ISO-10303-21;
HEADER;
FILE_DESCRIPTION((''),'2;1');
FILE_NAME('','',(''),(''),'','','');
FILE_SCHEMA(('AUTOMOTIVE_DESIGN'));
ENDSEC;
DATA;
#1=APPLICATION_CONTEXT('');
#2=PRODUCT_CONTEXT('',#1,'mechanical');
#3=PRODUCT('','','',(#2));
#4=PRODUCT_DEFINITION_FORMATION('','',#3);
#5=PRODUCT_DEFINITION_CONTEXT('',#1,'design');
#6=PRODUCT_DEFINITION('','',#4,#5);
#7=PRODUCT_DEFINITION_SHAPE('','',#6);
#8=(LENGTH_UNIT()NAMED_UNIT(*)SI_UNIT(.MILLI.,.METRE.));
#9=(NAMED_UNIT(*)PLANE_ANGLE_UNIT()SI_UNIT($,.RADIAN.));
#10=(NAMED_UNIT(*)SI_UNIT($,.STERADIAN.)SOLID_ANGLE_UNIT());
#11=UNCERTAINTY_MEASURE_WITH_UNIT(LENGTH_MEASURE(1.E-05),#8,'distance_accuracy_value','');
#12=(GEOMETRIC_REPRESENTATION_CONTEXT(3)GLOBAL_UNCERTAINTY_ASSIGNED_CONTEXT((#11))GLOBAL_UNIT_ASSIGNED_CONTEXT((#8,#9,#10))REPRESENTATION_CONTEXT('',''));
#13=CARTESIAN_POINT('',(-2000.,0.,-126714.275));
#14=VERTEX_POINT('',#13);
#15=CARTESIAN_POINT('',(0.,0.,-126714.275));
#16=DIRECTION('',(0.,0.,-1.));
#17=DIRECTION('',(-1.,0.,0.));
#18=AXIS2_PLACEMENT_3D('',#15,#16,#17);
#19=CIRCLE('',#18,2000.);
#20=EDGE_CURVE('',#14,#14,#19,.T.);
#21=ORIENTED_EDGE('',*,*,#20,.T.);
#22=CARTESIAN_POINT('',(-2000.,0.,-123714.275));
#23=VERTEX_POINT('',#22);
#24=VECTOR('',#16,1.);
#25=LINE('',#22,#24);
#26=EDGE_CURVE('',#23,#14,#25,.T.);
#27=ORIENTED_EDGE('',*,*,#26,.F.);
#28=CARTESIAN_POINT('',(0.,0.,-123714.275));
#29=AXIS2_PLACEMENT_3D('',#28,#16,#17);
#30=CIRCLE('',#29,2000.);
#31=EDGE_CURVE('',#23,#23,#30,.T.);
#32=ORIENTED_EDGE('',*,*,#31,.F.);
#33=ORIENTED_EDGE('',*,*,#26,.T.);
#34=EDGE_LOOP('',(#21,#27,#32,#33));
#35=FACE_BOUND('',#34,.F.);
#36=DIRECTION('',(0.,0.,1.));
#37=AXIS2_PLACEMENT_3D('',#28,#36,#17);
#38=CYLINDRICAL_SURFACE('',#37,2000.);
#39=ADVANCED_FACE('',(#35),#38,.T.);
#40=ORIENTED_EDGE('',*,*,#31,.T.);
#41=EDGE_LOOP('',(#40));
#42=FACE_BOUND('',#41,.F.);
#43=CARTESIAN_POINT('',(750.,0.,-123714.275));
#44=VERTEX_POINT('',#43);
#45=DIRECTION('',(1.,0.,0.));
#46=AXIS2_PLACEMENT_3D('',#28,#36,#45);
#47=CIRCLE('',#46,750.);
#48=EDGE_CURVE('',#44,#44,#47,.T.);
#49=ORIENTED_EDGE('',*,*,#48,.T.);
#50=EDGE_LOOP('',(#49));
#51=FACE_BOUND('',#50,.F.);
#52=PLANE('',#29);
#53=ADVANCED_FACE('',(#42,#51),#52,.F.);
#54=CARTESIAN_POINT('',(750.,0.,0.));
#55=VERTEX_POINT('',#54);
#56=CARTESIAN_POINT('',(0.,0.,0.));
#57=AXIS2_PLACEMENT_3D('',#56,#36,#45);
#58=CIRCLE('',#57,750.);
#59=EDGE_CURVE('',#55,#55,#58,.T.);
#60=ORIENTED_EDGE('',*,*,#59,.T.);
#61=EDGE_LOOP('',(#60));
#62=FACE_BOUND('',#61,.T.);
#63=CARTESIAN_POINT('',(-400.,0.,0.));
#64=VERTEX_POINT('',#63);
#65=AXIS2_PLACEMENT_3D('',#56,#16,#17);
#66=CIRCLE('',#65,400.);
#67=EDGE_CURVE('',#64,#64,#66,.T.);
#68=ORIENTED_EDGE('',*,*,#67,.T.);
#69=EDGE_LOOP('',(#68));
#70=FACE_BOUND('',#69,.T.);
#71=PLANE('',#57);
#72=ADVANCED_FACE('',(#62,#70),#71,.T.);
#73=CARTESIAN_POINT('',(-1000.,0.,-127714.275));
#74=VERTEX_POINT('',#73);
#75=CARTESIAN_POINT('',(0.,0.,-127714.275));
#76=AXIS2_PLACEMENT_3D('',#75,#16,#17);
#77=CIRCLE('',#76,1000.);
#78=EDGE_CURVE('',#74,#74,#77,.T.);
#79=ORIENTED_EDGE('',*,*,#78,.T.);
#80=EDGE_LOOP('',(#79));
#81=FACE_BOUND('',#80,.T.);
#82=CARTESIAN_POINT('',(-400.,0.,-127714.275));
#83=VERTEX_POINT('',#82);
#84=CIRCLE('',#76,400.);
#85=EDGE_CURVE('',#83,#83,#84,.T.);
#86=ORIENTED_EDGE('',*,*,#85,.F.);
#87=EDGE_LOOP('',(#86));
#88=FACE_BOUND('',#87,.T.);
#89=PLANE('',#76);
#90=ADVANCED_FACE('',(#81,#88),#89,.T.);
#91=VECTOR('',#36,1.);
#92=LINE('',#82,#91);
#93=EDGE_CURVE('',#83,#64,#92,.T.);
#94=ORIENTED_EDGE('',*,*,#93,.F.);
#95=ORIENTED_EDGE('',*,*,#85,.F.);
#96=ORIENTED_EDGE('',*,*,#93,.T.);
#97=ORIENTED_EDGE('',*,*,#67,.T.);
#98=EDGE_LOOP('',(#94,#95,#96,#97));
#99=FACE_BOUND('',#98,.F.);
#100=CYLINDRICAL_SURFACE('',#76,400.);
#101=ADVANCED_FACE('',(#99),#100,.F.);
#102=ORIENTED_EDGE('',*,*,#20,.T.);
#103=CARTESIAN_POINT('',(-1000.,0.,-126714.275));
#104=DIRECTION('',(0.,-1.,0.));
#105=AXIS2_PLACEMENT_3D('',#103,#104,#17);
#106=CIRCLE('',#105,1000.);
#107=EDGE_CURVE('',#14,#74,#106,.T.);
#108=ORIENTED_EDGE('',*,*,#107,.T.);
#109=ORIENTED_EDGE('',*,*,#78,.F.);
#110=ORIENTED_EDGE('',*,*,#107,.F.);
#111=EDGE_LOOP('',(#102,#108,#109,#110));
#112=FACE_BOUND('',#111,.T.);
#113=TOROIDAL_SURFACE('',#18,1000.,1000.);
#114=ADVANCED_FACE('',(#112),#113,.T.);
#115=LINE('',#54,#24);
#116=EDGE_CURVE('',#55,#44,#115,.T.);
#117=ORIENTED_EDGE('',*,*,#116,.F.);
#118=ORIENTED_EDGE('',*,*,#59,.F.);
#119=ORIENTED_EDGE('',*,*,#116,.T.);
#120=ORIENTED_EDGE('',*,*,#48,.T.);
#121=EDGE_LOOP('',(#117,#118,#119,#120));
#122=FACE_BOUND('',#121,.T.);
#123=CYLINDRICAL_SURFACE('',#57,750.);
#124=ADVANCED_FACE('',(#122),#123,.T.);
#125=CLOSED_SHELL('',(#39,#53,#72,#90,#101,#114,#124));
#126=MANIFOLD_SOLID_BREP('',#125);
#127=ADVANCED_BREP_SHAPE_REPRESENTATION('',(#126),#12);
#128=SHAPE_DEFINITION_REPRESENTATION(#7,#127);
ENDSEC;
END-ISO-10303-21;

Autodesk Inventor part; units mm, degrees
ref_plane "YZ Plane" through (0, 0, 0) normal (1, 0, 0) x (0, 1, 0)
ref_plane "XZ Plane" through (0, 0, 0) normal (0, 1, 0) x (-1, 0, 0)
sketch "Sketch1" plane through (0, 0, 0) normal (1, 0, 0) x (0, 1, 0)
  point P0 (0, 0)
sketch "Sketch2" plane through (0, 0, 0) normal (0, 0, 1) x (1, 0, 0)
  circle A0 centre (0, 0) radius 750
  dimension "d0" = 1500
ref_plane "Work Plane1" through (-26382.6859, -30000, -123714.275) normal (0, 0, -1) x (0, 1, 0)
extrude "Extrusion1" add sketch "Sketch2" against normal up to surface (123714.275 mm away)
sketch "Sketch3" plane through (0, 0, -123714.275) normal (0, 0, -1) x (-1, 0, 0)
  circle A0 centre (0, 0) radius 2000
  dimension "d3" = 4000
extrude "Extrusion2" add sketch "Sketch3" along normal blind 4000
fillet "Fillet1" radius 1000 1 edges at (2000, 0, -127714.275)
sketch "Sketch4" plane through (0, 0, -127714.275) normal (0, 0, -1) x (-1, 0, 0)
  circle A0 centre (0, 0) radius 400
  dimension "d7" = 800
extrude "Extrusion3" cut sketch "Sketch4" against normal through all
sketch "Sketch5" plane through (0, 0, 0) normal (0, 0, 1) x (1, 0, 0)
  circle A0 centre (0, 0) radius 400
  circle A1 centre (0, 0) radius 1600
  dimension "d10" = 3200
properties part number "base"
